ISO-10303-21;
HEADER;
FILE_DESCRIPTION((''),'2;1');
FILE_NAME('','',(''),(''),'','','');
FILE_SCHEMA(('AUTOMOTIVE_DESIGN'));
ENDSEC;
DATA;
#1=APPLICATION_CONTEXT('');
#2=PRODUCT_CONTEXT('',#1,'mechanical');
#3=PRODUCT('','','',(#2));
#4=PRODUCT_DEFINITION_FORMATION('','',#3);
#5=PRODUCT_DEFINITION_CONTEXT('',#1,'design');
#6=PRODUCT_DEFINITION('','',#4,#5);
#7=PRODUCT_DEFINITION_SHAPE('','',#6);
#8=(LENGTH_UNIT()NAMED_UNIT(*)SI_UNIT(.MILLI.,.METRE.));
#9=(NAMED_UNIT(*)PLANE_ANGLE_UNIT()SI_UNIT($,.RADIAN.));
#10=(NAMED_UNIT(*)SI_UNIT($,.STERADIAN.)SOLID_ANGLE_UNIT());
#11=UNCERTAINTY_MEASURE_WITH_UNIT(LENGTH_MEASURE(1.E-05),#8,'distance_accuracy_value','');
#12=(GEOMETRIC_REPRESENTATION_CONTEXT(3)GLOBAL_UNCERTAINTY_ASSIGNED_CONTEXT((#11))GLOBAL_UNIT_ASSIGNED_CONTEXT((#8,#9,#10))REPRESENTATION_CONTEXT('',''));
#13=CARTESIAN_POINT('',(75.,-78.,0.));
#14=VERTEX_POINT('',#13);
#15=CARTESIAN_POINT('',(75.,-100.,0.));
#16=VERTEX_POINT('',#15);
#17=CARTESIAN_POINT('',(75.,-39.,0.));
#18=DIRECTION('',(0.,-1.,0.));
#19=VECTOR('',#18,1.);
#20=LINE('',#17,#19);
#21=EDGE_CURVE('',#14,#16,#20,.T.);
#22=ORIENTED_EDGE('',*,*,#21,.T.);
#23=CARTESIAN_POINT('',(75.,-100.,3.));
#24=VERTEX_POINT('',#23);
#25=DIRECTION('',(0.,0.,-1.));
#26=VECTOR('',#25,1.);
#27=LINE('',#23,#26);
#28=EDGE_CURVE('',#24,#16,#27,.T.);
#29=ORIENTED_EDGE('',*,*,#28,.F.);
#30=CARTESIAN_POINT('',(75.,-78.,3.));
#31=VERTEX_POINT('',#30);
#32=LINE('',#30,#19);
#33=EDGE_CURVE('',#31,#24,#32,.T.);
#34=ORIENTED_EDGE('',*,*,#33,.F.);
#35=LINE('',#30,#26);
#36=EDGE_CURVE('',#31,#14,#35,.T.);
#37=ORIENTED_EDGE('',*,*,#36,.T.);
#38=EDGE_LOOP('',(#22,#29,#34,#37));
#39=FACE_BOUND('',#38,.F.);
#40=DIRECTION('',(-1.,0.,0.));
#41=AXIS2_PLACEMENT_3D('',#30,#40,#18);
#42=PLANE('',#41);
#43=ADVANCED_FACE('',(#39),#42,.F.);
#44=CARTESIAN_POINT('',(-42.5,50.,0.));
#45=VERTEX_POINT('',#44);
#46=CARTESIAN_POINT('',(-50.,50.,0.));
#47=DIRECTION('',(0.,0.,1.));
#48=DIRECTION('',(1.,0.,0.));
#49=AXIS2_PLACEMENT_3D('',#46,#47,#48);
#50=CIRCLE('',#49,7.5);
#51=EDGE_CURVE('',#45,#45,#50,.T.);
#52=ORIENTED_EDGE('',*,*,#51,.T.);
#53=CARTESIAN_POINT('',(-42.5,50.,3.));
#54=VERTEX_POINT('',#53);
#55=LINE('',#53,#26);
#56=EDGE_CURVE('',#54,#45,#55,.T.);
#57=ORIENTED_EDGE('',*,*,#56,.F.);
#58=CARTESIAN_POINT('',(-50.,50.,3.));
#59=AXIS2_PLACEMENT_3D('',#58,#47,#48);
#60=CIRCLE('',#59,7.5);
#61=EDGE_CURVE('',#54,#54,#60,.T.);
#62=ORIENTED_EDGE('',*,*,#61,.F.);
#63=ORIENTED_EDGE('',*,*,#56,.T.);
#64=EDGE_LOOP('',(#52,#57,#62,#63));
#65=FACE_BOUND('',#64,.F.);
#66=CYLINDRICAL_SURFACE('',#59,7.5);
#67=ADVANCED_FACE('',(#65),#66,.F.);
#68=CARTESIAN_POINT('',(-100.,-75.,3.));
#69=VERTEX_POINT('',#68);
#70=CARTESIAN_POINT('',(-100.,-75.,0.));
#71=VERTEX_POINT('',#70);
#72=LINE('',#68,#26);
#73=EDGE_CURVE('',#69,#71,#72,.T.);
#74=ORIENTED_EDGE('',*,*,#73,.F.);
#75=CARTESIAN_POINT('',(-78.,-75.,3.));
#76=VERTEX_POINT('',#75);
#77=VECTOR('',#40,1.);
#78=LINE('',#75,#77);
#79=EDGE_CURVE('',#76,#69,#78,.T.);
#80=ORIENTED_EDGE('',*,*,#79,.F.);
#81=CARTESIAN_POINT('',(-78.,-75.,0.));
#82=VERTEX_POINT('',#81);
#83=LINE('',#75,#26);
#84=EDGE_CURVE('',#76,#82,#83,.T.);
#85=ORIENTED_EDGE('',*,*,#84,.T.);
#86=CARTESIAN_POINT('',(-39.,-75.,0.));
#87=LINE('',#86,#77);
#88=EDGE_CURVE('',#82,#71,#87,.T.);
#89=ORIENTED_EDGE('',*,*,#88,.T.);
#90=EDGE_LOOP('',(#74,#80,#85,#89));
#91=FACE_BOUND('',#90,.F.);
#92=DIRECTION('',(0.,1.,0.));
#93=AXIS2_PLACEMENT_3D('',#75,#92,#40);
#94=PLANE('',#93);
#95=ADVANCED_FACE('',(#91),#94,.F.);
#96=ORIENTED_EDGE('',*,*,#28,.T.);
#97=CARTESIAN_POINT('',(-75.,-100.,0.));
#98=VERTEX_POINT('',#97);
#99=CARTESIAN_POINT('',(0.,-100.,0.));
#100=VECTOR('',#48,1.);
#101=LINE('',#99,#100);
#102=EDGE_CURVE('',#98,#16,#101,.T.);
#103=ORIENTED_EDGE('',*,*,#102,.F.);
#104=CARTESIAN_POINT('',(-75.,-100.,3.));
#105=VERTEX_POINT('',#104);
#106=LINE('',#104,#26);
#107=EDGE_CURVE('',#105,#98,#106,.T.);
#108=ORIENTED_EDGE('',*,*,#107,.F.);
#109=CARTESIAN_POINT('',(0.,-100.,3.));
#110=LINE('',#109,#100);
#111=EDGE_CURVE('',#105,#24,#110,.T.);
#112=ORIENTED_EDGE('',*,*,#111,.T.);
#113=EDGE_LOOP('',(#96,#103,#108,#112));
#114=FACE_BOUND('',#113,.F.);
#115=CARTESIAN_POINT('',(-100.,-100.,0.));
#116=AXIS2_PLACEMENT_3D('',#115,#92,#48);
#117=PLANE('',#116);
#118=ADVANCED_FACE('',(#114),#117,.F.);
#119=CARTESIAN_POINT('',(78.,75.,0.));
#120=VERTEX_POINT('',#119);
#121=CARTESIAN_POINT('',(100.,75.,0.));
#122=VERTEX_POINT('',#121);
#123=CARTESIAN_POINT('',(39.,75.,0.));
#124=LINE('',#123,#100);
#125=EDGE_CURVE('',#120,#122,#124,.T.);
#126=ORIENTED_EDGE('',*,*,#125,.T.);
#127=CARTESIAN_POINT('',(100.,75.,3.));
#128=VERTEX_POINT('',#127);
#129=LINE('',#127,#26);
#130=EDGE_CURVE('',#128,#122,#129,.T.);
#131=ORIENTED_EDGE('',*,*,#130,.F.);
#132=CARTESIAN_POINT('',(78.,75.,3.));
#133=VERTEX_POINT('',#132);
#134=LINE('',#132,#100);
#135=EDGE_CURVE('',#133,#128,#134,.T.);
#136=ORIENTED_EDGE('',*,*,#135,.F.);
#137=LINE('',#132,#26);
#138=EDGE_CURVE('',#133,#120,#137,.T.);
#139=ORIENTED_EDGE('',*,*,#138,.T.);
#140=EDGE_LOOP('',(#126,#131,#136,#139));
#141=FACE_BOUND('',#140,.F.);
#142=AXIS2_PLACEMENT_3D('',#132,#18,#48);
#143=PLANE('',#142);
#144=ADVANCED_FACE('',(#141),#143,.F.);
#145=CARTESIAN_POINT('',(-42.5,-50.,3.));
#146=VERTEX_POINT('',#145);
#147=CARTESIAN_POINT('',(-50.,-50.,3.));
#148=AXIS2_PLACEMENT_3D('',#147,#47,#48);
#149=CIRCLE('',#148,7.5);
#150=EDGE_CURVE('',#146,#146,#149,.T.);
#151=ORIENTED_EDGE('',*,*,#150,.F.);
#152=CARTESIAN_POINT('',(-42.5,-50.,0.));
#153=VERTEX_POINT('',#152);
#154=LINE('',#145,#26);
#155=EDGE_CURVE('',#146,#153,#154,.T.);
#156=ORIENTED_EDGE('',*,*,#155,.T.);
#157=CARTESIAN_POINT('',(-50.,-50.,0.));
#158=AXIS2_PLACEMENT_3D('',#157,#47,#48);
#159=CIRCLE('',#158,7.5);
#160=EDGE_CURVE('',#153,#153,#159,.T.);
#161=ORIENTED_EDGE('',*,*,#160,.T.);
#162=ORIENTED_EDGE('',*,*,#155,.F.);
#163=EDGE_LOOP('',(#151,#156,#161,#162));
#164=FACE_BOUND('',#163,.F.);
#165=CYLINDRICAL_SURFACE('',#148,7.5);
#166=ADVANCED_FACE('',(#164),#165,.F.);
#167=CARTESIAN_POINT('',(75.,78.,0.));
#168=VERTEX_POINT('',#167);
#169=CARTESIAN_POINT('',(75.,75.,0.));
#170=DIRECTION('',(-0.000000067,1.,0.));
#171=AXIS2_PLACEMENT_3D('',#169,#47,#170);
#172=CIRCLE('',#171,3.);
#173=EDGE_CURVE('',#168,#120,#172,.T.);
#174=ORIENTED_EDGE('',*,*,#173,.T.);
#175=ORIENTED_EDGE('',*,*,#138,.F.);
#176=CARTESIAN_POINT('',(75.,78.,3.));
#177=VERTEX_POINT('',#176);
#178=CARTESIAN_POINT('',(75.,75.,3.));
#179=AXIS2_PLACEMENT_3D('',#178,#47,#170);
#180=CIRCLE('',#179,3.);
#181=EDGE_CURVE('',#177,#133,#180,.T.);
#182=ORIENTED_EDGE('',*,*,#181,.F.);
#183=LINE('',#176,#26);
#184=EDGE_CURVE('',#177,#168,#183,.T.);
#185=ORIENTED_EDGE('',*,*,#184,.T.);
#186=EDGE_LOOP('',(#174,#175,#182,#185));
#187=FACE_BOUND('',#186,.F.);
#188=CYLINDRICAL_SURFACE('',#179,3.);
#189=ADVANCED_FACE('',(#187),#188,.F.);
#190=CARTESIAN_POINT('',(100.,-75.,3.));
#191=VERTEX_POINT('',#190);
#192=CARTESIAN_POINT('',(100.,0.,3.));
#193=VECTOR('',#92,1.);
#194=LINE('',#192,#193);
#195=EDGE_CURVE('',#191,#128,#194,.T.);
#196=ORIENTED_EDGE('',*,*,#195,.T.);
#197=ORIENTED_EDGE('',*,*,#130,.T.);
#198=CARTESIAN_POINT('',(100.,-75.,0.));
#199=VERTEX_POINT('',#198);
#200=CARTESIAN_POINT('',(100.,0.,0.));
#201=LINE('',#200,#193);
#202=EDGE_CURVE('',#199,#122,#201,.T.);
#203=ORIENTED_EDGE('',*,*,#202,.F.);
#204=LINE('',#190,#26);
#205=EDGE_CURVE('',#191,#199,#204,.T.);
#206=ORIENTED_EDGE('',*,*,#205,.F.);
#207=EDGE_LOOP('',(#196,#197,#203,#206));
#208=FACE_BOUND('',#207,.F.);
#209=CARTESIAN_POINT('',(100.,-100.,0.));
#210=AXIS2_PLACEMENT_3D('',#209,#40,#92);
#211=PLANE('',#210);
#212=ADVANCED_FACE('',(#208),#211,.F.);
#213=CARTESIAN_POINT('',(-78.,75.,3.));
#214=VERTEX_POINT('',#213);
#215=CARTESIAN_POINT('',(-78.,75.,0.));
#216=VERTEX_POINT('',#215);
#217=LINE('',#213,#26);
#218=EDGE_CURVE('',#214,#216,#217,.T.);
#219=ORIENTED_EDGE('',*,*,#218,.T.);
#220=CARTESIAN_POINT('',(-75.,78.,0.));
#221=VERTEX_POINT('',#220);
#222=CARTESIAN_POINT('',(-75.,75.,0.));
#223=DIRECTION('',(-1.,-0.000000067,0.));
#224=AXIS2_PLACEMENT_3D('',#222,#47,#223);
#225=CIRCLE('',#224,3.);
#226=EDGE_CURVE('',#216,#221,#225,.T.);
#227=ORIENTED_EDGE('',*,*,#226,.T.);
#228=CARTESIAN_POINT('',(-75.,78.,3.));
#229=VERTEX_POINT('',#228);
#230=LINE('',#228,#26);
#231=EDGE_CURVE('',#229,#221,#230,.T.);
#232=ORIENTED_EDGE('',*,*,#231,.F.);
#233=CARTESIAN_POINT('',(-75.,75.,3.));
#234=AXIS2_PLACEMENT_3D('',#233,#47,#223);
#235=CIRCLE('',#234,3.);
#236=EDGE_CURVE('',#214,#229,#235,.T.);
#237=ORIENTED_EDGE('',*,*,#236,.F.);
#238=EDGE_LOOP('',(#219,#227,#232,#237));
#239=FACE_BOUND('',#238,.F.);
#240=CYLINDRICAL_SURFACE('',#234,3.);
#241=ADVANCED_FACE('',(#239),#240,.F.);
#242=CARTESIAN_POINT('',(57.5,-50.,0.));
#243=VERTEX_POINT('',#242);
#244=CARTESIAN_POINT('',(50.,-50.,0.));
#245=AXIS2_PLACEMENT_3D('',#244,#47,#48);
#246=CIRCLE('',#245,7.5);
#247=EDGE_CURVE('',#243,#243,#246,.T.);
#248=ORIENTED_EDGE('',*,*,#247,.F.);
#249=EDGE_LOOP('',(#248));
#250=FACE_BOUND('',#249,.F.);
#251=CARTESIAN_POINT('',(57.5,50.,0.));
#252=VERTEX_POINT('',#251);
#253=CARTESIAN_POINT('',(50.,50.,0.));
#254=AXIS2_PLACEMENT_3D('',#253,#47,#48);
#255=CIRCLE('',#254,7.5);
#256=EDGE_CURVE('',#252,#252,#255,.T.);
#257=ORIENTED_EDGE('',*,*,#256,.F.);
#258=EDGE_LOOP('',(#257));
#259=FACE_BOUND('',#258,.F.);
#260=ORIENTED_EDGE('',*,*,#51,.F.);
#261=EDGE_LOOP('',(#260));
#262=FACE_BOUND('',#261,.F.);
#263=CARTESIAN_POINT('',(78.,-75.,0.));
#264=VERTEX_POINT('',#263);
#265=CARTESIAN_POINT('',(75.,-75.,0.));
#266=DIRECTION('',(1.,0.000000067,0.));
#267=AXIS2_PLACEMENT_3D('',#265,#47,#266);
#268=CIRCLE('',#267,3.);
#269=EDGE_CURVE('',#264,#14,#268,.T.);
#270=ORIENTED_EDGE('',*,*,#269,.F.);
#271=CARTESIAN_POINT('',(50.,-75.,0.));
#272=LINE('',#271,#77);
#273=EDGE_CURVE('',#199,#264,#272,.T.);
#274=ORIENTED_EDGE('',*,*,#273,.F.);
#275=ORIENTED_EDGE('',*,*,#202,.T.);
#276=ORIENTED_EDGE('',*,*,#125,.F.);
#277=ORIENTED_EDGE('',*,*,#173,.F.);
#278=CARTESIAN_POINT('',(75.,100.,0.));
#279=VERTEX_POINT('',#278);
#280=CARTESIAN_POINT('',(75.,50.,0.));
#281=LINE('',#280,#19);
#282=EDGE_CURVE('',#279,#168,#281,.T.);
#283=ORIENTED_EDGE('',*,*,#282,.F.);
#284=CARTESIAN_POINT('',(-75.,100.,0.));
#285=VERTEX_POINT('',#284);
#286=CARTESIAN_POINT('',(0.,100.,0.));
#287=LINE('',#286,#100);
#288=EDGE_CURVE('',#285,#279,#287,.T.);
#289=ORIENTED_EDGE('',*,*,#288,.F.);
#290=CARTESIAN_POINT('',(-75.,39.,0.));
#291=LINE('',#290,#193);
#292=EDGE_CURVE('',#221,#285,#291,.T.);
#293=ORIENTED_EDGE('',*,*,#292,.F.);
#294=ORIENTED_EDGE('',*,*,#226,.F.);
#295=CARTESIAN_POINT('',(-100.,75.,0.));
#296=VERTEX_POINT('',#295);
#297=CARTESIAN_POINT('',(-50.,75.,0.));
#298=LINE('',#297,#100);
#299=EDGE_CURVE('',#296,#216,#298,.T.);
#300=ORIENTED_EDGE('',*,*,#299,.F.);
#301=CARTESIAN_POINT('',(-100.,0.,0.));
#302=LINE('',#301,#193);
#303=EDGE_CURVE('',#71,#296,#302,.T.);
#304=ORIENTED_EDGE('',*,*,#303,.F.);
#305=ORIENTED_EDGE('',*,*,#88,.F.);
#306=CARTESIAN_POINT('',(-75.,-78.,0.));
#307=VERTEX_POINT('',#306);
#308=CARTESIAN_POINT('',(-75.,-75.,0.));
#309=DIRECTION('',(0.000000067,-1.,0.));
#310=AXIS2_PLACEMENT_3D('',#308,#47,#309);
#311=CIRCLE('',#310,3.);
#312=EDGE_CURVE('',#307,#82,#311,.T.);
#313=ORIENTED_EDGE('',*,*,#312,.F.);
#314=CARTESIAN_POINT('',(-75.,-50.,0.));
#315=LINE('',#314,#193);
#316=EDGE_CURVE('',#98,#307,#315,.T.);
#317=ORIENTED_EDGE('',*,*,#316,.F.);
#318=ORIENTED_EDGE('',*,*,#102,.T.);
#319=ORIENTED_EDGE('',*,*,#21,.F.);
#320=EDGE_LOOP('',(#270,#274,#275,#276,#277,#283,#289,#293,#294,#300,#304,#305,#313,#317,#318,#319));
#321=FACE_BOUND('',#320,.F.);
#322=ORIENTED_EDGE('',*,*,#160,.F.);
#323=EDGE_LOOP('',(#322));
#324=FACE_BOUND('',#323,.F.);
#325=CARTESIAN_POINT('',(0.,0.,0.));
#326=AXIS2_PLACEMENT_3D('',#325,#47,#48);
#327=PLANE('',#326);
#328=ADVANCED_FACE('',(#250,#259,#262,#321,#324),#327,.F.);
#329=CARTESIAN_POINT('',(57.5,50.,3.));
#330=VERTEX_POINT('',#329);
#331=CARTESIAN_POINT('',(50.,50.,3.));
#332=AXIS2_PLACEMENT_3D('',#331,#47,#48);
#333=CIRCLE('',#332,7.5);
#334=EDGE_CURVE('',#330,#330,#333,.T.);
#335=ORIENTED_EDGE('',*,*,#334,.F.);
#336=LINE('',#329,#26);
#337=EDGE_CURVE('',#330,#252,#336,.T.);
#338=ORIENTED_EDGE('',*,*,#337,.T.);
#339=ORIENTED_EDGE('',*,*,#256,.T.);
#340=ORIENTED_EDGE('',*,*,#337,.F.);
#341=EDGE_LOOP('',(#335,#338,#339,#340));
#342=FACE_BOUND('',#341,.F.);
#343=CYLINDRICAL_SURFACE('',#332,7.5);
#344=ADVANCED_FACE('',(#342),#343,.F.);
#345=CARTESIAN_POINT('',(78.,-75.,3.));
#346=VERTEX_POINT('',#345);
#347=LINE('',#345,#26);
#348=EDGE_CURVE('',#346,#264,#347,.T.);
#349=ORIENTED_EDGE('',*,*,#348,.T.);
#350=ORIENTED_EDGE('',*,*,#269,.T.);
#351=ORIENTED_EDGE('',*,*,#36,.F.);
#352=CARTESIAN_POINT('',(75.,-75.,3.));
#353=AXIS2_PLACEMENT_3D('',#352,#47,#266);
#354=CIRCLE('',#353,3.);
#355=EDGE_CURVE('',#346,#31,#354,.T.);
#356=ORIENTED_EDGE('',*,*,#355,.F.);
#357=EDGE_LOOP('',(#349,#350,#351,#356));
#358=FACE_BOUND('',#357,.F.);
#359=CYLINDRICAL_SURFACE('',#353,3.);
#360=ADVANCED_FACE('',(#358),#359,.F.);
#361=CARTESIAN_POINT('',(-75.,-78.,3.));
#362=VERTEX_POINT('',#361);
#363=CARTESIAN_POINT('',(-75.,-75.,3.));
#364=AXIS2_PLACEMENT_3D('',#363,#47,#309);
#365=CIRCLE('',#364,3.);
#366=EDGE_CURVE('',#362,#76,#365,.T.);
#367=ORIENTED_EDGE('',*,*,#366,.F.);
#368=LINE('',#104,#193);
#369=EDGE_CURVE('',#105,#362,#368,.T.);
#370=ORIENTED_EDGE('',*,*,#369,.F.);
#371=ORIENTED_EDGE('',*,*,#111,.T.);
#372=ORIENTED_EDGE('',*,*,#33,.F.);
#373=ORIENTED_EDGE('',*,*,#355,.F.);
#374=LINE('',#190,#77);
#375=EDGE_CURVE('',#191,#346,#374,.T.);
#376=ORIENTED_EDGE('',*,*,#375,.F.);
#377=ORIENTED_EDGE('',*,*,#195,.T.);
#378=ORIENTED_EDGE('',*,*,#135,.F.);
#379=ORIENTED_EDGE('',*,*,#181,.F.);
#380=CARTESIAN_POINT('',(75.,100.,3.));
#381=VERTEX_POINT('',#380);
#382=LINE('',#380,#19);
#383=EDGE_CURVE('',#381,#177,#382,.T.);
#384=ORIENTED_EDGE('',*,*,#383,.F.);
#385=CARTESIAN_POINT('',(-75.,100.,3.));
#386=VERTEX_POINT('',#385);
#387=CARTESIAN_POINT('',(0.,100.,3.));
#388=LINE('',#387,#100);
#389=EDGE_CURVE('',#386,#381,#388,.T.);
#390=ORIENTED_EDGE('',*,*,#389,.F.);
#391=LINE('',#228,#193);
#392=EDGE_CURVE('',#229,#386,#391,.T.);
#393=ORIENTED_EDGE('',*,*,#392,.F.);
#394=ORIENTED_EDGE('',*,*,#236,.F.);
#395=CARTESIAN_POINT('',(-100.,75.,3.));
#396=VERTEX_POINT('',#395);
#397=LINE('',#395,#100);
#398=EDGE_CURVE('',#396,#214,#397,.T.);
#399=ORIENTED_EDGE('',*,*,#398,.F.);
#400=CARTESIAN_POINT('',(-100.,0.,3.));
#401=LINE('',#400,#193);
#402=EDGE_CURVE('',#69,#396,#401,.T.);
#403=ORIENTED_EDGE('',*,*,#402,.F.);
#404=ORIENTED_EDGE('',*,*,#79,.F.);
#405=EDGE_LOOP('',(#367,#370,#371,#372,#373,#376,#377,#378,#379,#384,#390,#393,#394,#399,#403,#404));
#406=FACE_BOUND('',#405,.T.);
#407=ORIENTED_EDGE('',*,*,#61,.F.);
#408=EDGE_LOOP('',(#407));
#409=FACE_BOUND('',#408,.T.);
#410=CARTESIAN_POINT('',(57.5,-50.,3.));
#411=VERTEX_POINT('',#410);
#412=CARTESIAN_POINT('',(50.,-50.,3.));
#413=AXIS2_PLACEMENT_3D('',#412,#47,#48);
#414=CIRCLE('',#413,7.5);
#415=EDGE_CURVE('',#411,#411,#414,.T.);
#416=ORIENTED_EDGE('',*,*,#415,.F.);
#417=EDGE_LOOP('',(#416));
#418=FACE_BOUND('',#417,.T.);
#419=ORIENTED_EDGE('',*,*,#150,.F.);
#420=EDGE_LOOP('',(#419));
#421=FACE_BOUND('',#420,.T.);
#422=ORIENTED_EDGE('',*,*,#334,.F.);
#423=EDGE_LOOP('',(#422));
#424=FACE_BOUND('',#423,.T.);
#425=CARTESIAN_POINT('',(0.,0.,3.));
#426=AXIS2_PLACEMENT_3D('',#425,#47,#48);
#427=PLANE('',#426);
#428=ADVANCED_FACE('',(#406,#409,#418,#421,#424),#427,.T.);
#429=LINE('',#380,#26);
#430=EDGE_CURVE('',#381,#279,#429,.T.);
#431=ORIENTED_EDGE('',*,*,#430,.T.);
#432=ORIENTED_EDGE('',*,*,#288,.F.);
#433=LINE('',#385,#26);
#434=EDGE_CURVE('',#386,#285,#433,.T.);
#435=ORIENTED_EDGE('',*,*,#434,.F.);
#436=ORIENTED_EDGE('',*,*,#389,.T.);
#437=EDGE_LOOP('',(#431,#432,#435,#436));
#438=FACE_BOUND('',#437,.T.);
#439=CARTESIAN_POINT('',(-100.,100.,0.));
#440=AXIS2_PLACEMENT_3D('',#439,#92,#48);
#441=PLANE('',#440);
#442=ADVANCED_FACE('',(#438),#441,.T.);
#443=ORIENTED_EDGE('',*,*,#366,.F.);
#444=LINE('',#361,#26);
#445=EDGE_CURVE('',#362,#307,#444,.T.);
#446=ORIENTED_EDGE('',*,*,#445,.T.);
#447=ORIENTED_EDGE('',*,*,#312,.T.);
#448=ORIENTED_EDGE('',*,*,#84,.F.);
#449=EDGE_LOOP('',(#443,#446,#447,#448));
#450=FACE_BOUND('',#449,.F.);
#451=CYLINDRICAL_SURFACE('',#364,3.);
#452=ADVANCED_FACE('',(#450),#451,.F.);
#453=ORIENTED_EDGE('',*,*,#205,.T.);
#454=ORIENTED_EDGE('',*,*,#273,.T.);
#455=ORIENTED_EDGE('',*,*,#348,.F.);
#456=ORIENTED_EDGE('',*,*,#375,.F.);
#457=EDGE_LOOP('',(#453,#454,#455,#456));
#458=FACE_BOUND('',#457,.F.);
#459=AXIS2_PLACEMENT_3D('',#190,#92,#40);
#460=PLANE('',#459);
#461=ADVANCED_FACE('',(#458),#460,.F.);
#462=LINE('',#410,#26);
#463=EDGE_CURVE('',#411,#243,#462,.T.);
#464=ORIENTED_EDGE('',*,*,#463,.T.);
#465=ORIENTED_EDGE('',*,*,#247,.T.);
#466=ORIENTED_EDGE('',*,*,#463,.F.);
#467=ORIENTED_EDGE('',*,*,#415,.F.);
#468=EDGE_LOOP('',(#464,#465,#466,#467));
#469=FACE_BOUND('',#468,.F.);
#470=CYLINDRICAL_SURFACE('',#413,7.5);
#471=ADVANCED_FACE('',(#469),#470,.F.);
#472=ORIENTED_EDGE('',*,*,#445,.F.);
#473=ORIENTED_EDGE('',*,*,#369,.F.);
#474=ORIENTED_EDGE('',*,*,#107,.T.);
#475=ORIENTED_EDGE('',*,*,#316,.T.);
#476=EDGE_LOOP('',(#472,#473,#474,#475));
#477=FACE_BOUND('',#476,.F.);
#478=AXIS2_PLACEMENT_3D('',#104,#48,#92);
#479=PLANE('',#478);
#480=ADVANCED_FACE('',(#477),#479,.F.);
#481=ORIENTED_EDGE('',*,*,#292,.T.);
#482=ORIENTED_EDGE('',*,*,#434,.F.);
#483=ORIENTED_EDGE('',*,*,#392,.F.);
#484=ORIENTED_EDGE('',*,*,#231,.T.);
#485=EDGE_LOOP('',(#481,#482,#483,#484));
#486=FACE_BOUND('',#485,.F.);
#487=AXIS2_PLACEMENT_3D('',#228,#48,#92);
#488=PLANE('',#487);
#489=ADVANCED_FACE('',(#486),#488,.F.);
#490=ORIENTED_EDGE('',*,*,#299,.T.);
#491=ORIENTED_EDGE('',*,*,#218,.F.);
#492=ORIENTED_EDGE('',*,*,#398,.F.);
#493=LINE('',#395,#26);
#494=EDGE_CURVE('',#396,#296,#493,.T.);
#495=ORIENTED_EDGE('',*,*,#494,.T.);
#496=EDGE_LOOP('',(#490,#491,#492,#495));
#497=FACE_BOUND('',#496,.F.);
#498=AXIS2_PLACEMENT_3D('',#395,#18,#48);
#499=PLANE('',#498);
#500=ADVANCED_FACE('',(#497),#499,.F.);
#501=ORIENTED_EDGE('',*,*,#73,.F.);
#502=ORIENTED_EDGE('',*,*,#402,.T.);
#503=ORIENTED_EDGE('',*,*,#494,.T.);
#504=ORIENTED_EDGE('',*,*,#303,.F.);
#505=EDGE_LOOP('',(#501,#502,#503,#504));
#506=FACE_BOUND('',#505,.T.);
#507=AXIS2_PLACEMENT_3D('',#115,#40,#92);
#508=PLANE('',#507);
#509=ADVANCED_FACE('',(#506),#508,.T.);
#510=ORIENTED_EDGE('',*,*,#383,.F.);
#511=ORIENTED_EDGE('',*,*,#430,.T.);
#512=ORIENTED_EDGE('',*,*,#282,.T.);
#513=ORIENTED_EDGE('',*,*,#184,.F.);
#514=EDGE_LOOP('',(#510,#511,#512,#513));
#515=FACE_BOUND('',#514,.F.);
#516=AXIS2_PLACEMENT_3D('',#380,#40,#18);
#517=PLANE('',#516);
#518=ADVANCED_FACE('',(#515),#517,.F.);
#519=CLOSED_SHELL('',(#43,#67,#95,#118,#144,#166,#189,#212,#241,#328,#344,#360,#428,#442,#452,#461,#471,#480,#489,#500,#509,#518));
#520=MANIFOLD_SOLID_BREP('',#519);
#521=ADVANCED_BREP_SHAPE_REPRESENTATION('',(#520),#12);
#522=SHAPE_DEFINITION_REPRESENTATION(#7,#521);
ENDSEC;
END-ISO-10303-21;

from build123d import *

# Parameters (mm, degrees)
F0_W     = 200
F0_H     = 200
F1_DEPTH = 3
F3_DEPTH = 3.001
F4_R     = 7.5
F5_DEPTH = 3.001


with BuildPart() as f1:
    # F0 (on Top) → F1 (new body)
    with BuildSketch(Plane.XY):
        Rectangle(F0_W, F0_H)
    extrude(amount=F1_DEPTH)

    # F2 (on face) → F3 (cut, through all)
    with BuildSketch(Plane.XY.offset(3)):
        with BuildLine():
            Line((-75, 100), (-100, 100))
            Line((-100, 100), (-100, 75))
            Line((-100, 75), (-78, 75))
            ThreePointArc((-78, 75), (-72.87868, 72.87868), (-75, 78))
            Line((-75, 78), (-75, 100))
        make_face()
        with BuildLine():
            ThreePointArc((75, 78), (72.87868, 72.87868), (78, 75))
            Line((78, 75), (100, 75))
            Line((100, 75), (100, 100))
            Line((100, 100), (75, 100))
            Line((75, 100), (75, 78))
        make_face()
        with BuildLine():
            Line((-100, -100), (-75, -100))
            Line((-75, -100), (-75, -78))
            ThreePointArc((-75, -78), (-72.87868, -72.87868), (-78, -75))
            Line((-78, -75), (-100, -75))
            Line((-100, -75), (-100, -100))
        make_face()
        with BuildLine():
            Line((100, -75), (78, -75))
            ThreePointArc((78, -75), (72.87868, -72.87868), (75, -78))
            Line((75, -78), (75, -100))
            Line((75, -100), (100, -100))
            Line((100, -100), (100, -75))
        make_face()
    extrude(amount=-F3_DEPTH, mode=Mode.SUBTRACT)

    # F4 (on face) → F5 (cut, through all)
    with BuildSketch(Plane.XY.offset(3)):
        with Locations((-50, 50)):
            Circle(F4_R)
        with Locations((50, 50)):
            Circle(F4_R)
        with Locations((-50, -50)):
            Circle(F4_R)
        with Locations((50, -50)):
            Circle(F4_R)
    extrude(amount=-F5_DEPTH, mode=Mode.SUBTRACT)


solid = f1.part
